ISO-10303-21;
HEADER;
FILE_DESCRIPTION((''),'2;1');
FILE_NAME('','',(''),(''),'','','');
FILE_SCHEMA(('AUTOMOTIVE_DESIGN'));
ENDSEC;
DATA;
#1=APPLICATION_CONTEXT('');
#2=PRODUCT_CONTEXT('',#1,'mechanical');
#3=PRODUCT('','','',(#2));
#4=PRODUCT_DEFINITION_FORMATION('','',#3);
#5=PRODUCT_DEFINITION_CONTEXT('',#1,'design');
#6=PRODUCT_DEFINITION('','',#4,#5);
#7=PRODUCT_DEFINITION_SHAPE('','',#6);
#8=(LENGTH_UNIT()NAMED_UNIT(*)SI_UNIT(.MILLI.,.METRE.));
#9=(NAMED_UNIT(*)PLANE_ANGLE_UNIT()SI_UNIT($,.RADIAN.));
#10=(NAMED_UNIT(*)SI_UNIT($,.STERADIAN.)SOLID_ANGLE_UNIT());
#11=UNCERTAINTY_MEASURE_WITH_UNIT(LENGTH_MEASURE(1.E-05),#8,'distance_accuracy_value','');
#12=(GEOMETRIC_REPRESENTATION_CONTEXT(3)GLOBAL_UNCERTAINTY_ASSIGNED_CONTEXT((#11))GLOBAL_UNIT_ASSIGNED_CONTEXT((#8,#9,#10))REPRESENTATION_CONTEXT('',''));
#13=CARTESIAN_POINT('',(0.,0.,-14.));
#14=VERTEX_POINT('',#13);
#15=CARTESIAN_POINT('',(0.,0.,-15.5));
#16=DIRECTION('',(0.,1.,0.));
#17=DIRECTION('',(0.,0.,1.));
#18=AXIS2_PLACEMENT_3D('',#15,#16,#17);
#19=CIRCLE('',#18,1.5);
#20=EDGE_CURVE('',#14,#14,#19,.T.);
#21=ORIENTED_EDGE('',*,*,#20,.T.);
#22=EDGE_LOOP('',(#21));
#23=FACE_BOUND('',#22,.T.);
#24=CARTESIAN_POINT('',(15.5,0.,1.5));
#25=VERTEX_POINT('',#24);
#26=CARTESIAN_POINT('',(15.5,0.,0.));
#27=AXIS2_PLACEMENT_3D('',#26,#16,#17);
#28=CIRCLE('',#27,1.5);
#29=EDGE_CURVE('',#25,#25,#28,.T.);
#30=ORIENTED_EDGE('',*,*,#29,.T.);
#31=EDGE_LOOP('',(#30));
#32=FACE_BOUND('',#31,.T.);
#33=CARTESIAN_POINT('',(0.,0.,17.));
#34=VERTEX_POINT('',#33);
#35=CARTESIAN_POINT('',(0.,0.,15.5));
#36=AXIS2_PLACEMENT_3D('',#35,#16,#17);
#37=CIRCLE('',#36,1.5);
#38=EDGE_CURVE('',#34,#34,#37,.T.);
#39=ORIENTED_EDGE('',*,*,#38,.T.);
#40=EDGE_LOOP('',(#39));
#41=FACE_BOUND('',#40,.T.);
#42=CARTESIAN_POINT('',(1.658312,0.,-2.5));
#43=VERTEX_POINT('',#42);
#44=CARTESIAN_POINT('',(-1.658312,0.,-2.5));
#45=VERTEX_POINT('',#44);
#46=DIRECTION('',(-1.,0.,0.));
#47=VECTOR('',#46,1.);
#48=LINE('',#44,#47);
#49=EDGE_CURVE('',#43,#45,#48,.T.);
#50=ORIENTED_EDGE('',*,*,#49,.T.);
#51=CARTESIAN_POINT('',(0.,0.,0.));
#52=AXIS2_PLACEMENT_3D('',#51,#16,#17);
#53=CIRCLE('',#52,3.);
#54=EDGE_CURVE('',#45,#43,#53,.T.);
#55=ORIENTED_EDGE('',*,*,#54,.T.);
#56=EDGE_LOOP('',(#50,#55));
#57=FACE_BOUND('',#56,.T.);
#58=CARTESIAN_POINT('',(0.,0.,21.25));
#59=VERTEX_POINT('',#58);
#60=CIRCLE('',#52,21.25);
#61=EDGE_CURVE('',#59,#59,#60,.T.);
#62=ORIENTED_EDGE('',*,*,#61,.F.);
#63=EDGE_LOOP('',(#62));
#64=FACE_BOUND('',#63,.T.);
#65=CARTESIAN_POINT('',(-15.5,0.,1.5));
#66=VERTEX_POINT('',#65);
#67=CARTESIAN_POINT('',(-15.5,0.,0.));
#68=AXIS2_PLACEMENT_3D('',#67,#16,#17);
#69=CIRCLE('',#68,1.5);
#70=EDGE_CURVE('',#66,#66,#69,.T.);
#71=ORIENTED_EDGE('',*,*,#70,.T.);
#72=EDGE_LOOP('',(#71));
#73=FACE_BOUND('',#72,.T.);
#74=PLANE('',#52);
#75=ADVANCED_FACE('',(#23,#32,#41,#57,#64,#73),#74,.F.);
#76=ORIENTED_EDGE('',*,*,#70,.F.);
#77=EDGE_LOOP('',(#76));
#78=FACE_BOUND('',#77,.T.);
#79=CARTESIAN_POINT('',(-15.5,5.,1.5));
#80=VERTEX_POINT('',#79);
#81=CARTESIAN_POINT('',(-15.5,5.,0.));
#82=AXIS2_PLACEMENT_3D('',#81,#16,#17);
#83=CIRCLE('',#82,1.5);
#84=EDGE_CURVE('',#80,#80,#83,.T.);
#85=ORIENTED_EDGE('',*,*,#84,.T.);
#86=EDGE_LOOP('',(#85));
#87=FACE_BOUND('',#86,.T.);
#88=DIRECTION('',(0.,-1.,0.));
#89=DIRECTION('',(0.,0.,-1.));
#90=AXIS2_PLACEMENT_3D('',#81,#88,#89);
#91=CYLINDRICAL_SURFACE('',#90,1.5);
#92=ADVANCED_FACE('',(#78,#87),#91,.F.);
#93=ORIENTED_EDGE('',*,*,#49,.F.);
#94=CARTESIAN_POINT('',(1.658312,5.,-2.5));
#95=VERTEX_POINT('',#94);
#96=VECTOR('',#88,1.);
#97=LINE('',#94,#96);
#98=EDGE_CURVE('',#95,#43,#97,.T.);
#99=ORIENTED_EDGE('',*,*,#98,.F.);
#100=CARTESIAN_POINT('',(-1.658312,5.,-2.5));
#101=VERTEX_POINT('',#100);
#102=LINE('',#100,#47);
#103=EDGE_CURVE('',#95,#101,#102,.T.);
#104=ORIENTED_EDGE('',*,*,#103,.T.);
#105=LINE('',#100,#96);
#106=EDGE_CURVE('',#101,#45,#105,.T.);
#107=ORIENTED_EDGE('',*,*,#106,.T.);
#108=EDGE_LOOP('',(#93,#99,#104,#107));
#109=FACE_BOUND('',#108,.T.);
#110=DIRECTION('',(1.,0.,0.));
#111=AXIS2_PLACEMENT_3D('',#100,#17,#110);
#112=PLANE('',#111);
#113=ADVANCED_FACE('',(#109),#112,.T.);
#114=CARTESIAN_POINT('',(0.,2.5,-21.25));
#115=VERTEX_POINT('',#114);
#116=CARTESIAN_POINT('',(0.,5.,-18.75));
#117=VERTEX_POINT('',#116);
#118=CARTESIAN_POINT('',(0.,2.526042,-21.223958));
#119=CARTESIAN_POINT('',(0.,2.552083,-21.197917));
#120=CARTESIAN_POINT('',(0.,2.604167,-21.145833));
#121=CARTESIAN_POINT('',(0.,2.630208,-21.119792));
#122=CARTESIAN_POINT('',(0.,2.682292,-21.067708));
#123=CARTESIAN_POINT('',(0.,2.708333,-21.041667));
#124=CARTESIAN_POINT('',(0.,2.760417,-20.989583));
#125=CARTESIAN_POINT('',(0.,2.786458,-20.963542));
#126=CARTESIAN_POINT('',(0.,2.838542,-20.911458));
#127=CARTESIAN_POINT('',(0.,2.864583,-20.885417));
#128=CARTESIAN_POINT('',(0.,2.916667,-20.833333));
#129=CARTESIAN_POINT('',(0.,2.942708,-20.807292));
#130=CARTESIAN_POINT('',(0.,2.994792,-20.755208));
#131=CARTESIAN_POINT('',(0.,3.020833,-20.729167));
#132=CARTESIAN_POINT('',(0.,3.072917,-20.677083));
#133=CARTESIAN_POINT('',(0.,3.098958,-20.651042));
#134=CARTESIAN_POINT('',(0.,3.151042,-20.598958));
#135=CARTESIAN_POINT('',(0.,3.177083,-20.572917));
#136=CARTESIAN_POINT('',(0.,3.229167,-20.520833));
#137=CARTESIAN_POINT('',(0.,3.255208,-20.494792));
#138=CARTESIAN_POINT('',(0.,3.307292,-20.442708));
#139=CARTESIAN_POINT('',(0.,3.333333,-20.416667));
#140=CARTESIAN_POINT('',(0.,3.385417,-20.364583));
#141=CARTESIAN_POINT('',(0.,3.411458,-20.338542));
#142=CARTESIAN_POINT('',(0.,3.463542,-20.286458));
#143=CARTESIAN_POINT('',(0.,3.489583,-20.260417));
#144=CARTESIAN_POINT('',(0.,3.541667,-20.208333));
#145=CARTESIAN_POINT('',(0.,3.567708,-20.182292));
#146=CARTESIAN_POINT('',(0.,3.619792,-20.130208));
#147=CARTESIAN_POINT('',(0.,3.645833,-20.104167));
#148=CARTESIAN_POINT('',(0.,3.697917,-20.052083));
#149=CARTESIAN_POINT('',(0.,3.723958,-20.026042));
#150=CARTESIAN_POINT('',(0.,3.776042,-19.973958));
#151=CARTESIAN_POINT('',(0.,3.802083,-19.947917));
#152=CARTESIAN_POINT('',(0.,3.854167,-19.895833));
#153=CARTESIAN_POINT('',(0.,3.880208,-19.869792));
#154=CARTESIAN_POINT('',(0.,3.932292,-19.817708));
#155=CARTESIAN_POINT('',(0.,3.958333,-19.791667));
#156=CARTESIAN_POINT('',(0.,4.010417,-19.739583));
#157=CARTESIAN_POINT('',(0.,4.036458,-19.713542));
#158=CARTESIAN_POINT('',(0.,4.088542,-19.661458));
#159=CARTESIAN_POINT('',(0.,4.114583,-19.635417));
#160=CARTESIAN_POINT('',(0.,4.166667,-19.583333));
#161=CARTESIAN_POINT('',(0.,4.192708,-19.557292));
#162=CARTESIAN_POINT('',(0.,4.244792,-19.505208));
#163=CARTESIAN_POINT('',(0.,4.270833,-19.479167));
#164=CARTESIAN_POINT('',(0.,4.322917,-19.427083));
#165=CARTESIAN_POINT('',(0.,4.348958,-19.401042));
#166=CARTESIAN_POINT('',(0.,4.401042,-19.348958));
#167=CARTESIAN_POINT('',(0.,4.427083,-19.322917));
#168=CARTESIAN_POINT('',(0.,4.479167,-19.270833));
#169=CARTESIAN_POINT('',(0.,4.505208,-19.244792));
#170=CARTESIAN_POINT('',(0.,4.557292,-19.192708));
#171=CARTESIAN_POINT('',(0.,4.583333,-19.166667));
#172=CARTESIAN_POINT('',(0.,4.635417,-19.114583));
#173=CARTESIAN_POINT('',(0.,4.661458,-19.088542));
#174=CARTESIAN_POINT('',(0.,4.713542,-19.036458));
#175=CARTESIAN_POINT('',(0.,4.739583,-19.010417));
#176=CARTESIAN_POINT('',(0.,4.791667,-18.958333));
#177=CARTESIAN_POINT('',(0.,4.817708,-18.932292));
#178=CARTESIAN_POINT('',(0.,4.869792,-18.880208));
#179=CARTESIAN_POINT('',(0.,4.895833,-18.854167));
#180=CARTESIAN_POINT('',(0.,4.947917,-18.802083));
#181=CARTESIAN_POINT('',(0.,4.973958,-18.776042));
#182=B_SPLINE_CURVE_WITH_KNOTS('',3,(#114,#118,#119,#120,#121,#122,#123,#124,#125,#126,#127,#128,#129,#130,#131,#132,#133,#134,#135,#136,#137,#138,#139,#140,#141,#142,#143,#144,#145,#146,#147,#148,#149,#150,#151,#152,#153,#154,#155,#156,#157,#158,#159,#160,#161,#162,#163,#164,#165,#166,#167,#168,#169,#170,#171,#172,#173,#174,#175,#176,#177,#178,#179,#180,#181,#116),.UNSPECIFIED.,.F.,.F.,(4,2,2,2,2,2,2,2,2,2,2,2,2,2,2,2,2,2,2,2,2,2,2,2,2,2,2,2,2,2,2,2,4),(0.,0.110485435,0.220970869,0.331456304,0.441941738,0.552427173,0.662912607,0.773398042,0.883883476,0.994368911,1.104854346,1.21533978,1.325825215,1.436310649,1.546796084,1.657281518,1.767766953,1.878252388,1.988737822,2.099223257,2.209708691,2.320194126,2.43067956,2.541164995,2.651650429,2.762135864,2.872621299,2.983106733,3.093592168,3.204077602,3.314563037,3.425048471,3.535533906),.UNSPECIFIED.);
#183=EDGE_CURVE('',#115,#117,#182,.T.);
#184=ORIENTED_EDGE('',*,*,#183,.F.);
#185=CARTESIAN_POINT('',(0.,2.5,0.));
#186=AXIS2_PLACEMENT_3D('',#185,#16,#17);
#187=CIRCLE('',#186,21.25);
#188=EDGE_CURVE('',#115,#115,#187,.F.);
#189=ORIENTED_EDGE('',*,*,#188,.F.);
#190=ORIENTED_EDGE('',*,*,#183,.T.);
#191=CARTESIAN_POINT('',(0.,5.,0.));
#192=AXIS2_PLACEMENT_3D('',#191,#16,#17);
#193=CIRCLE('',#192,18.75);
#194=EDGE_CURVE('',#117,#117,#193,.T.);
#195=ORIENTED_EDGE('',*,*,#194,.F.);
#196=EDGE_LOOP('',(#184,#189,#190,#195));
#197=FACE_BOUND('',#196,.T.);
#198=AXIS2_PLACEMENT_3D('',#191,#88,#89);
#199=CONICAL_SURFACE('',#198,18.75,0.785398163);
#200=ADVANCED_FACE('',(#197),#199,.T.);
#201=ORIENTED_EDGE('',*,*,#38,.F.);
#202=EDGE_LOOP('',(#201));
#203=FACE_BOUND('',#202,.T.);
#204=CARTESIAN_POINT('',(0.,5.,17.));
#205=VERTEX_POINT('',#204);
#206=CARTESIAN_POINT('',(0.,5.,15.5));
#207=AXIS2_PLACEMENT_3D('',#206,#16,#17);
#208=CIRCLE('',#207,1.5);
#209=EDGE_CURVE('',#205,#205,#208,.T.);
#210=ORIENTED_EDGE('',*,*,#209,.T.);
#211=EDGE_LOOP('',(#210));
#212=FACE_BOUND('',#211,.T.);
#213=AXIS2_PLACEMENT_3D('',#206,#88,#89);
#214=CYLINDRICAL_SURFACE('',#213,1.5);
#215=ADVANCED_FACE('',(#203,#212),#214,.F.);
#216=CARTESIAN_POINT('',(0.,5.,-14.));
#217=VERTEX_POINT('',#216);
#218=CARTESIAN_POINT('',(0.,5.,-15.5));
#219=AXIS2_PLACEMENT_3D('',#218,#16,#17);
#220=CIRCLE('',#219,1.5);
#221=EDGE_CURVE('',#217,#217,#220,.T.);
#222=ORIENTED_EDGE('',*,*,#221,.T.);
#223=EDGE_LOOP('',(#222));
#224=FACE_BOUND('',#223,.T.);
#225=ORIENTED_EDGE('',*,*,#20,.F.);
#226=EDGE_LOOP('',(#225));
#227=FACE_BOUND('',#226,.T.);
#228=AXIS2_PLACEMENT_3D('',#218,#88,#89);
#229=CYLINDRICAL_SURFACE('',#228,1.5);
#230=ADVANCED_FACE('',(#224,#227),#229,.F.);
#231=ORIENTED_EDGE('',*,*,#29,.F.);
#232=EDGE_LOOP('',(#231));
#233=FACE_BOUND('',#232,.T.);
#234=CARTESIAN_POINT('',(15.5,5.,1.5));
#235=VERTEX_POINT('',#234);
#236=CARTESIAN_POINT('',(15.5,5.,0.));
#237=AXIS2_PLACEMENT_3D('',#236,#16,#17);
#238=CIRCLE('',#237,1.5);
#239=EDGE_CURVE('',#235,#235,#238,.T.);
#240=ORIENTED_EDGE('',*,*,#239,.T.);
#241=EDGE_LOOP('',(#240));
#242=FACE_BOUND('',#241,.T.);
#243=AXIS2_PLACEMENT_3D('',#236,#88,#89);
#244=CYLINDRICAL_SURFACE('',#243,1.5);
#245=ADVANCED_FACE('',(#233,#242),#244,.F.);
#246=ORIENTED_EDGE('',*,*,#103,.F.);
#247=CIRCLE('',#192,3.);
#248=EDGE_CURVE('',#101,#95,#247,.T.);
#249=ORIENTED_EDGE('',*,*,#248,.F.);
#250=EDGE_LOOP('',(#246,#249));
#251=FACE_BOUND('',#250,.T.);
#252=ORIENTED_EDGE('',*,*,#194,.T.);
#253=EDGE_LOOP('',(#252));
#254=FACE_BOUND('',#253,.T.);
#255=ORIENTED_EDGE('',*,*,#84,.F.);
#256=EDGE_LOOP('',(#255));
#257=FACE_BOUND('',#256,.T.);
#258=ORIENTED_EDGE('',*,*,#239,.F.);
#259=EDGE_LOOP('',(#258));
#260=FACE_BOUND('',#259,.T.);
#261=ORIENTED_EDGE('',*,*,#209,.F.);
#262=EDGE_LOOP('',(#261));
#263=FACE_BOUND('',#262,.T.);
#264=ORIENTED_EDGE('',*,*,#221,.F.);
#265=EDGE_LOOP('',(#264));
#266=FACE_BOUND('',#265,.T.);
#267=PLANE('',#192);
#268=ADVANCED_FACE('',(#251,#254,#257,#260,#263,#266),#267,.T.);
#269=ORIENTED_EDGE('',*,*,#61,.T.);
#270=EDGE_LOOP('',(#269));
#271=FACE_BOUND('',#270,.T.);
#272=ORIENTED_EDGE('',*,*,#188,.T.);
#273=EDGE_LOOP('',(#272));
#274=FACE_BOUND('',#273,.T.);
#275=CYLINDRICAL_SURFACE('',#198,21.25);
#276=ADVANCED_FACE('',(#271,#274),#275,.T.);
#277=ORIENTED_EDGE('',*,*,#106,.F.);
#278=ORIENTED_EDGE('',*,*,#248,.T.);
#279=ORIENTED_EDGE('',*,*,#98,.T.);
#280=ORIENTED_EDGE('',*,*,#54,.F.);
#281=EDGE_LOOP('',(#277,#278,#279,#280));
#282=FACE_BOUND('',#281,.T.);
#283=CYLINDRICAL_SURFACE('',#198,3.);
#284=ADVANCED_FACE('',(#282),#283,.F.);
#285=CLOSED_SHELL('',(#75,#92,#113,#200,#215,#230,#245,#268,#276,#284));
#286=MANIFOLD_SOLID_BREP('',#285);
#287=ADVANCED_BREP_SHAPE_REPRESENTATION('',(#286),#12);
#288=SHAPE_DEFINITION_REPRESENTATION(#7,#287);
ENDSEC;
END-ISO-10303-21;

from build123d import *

# Parameters (mm, degrees)
SKETCH1_R           = 21.25
SKETCH1_R_2         = 1.5
BOSS_EXTRUDE1_DEPTH = 5
CHAMFER1_SIZE       = 2.5


with BuildPart() as part:
    # Sketch1 → Boss-Extrude1 (new body)
    with BuildSketch(Plane(origin=(0, 0, 0), x_dir=(1, 0, 0), z_dir=(0, 1, 0))):
        with Locations(Location((0, 0, 0), (0, 0, 270))):
            Circle(SKETCH1_R)
        with Locations(Location((0, 15.5, 0), (0, 0, 270))):
            Circle(SKETCH1_R_2, mode=Mode.SUBTRACT)
        with Locations(Location((15.5, 0, 0), (0, 0, 270))):
            Circle(SKETCH1_R_2, mode=Mode.SUBTRACT)
        with Locations(Location((0, -15.5, 0), (0, 0, 270))):
            Circle(SKETCH1_R_2, mode=Mode.SUBTRACT)
        with Locations(Location((-15.5, 0, 0), (0, 0, 270))):
            Circle(SKETCH1_R_2, mode=Mode.SUBTRACT)
        with BuildLine():
            Line((-1.658312395, 2.5), (1.658312395, 2.5))
            ThreePointArc((1.658312395, 2.5), (0, -3), (-1.658312395, 2.5))
        make_face(mode=Mode.SUBTRACT)
    extrude(amount=BOSS_EXTRUDE1_DEPTH)

    # Chamfer1
    chamfer1_edges = [part.edges().sort_by_distance(p)[0] for p in [
        (0, 5, -21.25),
    ]]
    chamfer(chamfer1_edges, length=CHAMFER1_SIZE)


solid = part.part
